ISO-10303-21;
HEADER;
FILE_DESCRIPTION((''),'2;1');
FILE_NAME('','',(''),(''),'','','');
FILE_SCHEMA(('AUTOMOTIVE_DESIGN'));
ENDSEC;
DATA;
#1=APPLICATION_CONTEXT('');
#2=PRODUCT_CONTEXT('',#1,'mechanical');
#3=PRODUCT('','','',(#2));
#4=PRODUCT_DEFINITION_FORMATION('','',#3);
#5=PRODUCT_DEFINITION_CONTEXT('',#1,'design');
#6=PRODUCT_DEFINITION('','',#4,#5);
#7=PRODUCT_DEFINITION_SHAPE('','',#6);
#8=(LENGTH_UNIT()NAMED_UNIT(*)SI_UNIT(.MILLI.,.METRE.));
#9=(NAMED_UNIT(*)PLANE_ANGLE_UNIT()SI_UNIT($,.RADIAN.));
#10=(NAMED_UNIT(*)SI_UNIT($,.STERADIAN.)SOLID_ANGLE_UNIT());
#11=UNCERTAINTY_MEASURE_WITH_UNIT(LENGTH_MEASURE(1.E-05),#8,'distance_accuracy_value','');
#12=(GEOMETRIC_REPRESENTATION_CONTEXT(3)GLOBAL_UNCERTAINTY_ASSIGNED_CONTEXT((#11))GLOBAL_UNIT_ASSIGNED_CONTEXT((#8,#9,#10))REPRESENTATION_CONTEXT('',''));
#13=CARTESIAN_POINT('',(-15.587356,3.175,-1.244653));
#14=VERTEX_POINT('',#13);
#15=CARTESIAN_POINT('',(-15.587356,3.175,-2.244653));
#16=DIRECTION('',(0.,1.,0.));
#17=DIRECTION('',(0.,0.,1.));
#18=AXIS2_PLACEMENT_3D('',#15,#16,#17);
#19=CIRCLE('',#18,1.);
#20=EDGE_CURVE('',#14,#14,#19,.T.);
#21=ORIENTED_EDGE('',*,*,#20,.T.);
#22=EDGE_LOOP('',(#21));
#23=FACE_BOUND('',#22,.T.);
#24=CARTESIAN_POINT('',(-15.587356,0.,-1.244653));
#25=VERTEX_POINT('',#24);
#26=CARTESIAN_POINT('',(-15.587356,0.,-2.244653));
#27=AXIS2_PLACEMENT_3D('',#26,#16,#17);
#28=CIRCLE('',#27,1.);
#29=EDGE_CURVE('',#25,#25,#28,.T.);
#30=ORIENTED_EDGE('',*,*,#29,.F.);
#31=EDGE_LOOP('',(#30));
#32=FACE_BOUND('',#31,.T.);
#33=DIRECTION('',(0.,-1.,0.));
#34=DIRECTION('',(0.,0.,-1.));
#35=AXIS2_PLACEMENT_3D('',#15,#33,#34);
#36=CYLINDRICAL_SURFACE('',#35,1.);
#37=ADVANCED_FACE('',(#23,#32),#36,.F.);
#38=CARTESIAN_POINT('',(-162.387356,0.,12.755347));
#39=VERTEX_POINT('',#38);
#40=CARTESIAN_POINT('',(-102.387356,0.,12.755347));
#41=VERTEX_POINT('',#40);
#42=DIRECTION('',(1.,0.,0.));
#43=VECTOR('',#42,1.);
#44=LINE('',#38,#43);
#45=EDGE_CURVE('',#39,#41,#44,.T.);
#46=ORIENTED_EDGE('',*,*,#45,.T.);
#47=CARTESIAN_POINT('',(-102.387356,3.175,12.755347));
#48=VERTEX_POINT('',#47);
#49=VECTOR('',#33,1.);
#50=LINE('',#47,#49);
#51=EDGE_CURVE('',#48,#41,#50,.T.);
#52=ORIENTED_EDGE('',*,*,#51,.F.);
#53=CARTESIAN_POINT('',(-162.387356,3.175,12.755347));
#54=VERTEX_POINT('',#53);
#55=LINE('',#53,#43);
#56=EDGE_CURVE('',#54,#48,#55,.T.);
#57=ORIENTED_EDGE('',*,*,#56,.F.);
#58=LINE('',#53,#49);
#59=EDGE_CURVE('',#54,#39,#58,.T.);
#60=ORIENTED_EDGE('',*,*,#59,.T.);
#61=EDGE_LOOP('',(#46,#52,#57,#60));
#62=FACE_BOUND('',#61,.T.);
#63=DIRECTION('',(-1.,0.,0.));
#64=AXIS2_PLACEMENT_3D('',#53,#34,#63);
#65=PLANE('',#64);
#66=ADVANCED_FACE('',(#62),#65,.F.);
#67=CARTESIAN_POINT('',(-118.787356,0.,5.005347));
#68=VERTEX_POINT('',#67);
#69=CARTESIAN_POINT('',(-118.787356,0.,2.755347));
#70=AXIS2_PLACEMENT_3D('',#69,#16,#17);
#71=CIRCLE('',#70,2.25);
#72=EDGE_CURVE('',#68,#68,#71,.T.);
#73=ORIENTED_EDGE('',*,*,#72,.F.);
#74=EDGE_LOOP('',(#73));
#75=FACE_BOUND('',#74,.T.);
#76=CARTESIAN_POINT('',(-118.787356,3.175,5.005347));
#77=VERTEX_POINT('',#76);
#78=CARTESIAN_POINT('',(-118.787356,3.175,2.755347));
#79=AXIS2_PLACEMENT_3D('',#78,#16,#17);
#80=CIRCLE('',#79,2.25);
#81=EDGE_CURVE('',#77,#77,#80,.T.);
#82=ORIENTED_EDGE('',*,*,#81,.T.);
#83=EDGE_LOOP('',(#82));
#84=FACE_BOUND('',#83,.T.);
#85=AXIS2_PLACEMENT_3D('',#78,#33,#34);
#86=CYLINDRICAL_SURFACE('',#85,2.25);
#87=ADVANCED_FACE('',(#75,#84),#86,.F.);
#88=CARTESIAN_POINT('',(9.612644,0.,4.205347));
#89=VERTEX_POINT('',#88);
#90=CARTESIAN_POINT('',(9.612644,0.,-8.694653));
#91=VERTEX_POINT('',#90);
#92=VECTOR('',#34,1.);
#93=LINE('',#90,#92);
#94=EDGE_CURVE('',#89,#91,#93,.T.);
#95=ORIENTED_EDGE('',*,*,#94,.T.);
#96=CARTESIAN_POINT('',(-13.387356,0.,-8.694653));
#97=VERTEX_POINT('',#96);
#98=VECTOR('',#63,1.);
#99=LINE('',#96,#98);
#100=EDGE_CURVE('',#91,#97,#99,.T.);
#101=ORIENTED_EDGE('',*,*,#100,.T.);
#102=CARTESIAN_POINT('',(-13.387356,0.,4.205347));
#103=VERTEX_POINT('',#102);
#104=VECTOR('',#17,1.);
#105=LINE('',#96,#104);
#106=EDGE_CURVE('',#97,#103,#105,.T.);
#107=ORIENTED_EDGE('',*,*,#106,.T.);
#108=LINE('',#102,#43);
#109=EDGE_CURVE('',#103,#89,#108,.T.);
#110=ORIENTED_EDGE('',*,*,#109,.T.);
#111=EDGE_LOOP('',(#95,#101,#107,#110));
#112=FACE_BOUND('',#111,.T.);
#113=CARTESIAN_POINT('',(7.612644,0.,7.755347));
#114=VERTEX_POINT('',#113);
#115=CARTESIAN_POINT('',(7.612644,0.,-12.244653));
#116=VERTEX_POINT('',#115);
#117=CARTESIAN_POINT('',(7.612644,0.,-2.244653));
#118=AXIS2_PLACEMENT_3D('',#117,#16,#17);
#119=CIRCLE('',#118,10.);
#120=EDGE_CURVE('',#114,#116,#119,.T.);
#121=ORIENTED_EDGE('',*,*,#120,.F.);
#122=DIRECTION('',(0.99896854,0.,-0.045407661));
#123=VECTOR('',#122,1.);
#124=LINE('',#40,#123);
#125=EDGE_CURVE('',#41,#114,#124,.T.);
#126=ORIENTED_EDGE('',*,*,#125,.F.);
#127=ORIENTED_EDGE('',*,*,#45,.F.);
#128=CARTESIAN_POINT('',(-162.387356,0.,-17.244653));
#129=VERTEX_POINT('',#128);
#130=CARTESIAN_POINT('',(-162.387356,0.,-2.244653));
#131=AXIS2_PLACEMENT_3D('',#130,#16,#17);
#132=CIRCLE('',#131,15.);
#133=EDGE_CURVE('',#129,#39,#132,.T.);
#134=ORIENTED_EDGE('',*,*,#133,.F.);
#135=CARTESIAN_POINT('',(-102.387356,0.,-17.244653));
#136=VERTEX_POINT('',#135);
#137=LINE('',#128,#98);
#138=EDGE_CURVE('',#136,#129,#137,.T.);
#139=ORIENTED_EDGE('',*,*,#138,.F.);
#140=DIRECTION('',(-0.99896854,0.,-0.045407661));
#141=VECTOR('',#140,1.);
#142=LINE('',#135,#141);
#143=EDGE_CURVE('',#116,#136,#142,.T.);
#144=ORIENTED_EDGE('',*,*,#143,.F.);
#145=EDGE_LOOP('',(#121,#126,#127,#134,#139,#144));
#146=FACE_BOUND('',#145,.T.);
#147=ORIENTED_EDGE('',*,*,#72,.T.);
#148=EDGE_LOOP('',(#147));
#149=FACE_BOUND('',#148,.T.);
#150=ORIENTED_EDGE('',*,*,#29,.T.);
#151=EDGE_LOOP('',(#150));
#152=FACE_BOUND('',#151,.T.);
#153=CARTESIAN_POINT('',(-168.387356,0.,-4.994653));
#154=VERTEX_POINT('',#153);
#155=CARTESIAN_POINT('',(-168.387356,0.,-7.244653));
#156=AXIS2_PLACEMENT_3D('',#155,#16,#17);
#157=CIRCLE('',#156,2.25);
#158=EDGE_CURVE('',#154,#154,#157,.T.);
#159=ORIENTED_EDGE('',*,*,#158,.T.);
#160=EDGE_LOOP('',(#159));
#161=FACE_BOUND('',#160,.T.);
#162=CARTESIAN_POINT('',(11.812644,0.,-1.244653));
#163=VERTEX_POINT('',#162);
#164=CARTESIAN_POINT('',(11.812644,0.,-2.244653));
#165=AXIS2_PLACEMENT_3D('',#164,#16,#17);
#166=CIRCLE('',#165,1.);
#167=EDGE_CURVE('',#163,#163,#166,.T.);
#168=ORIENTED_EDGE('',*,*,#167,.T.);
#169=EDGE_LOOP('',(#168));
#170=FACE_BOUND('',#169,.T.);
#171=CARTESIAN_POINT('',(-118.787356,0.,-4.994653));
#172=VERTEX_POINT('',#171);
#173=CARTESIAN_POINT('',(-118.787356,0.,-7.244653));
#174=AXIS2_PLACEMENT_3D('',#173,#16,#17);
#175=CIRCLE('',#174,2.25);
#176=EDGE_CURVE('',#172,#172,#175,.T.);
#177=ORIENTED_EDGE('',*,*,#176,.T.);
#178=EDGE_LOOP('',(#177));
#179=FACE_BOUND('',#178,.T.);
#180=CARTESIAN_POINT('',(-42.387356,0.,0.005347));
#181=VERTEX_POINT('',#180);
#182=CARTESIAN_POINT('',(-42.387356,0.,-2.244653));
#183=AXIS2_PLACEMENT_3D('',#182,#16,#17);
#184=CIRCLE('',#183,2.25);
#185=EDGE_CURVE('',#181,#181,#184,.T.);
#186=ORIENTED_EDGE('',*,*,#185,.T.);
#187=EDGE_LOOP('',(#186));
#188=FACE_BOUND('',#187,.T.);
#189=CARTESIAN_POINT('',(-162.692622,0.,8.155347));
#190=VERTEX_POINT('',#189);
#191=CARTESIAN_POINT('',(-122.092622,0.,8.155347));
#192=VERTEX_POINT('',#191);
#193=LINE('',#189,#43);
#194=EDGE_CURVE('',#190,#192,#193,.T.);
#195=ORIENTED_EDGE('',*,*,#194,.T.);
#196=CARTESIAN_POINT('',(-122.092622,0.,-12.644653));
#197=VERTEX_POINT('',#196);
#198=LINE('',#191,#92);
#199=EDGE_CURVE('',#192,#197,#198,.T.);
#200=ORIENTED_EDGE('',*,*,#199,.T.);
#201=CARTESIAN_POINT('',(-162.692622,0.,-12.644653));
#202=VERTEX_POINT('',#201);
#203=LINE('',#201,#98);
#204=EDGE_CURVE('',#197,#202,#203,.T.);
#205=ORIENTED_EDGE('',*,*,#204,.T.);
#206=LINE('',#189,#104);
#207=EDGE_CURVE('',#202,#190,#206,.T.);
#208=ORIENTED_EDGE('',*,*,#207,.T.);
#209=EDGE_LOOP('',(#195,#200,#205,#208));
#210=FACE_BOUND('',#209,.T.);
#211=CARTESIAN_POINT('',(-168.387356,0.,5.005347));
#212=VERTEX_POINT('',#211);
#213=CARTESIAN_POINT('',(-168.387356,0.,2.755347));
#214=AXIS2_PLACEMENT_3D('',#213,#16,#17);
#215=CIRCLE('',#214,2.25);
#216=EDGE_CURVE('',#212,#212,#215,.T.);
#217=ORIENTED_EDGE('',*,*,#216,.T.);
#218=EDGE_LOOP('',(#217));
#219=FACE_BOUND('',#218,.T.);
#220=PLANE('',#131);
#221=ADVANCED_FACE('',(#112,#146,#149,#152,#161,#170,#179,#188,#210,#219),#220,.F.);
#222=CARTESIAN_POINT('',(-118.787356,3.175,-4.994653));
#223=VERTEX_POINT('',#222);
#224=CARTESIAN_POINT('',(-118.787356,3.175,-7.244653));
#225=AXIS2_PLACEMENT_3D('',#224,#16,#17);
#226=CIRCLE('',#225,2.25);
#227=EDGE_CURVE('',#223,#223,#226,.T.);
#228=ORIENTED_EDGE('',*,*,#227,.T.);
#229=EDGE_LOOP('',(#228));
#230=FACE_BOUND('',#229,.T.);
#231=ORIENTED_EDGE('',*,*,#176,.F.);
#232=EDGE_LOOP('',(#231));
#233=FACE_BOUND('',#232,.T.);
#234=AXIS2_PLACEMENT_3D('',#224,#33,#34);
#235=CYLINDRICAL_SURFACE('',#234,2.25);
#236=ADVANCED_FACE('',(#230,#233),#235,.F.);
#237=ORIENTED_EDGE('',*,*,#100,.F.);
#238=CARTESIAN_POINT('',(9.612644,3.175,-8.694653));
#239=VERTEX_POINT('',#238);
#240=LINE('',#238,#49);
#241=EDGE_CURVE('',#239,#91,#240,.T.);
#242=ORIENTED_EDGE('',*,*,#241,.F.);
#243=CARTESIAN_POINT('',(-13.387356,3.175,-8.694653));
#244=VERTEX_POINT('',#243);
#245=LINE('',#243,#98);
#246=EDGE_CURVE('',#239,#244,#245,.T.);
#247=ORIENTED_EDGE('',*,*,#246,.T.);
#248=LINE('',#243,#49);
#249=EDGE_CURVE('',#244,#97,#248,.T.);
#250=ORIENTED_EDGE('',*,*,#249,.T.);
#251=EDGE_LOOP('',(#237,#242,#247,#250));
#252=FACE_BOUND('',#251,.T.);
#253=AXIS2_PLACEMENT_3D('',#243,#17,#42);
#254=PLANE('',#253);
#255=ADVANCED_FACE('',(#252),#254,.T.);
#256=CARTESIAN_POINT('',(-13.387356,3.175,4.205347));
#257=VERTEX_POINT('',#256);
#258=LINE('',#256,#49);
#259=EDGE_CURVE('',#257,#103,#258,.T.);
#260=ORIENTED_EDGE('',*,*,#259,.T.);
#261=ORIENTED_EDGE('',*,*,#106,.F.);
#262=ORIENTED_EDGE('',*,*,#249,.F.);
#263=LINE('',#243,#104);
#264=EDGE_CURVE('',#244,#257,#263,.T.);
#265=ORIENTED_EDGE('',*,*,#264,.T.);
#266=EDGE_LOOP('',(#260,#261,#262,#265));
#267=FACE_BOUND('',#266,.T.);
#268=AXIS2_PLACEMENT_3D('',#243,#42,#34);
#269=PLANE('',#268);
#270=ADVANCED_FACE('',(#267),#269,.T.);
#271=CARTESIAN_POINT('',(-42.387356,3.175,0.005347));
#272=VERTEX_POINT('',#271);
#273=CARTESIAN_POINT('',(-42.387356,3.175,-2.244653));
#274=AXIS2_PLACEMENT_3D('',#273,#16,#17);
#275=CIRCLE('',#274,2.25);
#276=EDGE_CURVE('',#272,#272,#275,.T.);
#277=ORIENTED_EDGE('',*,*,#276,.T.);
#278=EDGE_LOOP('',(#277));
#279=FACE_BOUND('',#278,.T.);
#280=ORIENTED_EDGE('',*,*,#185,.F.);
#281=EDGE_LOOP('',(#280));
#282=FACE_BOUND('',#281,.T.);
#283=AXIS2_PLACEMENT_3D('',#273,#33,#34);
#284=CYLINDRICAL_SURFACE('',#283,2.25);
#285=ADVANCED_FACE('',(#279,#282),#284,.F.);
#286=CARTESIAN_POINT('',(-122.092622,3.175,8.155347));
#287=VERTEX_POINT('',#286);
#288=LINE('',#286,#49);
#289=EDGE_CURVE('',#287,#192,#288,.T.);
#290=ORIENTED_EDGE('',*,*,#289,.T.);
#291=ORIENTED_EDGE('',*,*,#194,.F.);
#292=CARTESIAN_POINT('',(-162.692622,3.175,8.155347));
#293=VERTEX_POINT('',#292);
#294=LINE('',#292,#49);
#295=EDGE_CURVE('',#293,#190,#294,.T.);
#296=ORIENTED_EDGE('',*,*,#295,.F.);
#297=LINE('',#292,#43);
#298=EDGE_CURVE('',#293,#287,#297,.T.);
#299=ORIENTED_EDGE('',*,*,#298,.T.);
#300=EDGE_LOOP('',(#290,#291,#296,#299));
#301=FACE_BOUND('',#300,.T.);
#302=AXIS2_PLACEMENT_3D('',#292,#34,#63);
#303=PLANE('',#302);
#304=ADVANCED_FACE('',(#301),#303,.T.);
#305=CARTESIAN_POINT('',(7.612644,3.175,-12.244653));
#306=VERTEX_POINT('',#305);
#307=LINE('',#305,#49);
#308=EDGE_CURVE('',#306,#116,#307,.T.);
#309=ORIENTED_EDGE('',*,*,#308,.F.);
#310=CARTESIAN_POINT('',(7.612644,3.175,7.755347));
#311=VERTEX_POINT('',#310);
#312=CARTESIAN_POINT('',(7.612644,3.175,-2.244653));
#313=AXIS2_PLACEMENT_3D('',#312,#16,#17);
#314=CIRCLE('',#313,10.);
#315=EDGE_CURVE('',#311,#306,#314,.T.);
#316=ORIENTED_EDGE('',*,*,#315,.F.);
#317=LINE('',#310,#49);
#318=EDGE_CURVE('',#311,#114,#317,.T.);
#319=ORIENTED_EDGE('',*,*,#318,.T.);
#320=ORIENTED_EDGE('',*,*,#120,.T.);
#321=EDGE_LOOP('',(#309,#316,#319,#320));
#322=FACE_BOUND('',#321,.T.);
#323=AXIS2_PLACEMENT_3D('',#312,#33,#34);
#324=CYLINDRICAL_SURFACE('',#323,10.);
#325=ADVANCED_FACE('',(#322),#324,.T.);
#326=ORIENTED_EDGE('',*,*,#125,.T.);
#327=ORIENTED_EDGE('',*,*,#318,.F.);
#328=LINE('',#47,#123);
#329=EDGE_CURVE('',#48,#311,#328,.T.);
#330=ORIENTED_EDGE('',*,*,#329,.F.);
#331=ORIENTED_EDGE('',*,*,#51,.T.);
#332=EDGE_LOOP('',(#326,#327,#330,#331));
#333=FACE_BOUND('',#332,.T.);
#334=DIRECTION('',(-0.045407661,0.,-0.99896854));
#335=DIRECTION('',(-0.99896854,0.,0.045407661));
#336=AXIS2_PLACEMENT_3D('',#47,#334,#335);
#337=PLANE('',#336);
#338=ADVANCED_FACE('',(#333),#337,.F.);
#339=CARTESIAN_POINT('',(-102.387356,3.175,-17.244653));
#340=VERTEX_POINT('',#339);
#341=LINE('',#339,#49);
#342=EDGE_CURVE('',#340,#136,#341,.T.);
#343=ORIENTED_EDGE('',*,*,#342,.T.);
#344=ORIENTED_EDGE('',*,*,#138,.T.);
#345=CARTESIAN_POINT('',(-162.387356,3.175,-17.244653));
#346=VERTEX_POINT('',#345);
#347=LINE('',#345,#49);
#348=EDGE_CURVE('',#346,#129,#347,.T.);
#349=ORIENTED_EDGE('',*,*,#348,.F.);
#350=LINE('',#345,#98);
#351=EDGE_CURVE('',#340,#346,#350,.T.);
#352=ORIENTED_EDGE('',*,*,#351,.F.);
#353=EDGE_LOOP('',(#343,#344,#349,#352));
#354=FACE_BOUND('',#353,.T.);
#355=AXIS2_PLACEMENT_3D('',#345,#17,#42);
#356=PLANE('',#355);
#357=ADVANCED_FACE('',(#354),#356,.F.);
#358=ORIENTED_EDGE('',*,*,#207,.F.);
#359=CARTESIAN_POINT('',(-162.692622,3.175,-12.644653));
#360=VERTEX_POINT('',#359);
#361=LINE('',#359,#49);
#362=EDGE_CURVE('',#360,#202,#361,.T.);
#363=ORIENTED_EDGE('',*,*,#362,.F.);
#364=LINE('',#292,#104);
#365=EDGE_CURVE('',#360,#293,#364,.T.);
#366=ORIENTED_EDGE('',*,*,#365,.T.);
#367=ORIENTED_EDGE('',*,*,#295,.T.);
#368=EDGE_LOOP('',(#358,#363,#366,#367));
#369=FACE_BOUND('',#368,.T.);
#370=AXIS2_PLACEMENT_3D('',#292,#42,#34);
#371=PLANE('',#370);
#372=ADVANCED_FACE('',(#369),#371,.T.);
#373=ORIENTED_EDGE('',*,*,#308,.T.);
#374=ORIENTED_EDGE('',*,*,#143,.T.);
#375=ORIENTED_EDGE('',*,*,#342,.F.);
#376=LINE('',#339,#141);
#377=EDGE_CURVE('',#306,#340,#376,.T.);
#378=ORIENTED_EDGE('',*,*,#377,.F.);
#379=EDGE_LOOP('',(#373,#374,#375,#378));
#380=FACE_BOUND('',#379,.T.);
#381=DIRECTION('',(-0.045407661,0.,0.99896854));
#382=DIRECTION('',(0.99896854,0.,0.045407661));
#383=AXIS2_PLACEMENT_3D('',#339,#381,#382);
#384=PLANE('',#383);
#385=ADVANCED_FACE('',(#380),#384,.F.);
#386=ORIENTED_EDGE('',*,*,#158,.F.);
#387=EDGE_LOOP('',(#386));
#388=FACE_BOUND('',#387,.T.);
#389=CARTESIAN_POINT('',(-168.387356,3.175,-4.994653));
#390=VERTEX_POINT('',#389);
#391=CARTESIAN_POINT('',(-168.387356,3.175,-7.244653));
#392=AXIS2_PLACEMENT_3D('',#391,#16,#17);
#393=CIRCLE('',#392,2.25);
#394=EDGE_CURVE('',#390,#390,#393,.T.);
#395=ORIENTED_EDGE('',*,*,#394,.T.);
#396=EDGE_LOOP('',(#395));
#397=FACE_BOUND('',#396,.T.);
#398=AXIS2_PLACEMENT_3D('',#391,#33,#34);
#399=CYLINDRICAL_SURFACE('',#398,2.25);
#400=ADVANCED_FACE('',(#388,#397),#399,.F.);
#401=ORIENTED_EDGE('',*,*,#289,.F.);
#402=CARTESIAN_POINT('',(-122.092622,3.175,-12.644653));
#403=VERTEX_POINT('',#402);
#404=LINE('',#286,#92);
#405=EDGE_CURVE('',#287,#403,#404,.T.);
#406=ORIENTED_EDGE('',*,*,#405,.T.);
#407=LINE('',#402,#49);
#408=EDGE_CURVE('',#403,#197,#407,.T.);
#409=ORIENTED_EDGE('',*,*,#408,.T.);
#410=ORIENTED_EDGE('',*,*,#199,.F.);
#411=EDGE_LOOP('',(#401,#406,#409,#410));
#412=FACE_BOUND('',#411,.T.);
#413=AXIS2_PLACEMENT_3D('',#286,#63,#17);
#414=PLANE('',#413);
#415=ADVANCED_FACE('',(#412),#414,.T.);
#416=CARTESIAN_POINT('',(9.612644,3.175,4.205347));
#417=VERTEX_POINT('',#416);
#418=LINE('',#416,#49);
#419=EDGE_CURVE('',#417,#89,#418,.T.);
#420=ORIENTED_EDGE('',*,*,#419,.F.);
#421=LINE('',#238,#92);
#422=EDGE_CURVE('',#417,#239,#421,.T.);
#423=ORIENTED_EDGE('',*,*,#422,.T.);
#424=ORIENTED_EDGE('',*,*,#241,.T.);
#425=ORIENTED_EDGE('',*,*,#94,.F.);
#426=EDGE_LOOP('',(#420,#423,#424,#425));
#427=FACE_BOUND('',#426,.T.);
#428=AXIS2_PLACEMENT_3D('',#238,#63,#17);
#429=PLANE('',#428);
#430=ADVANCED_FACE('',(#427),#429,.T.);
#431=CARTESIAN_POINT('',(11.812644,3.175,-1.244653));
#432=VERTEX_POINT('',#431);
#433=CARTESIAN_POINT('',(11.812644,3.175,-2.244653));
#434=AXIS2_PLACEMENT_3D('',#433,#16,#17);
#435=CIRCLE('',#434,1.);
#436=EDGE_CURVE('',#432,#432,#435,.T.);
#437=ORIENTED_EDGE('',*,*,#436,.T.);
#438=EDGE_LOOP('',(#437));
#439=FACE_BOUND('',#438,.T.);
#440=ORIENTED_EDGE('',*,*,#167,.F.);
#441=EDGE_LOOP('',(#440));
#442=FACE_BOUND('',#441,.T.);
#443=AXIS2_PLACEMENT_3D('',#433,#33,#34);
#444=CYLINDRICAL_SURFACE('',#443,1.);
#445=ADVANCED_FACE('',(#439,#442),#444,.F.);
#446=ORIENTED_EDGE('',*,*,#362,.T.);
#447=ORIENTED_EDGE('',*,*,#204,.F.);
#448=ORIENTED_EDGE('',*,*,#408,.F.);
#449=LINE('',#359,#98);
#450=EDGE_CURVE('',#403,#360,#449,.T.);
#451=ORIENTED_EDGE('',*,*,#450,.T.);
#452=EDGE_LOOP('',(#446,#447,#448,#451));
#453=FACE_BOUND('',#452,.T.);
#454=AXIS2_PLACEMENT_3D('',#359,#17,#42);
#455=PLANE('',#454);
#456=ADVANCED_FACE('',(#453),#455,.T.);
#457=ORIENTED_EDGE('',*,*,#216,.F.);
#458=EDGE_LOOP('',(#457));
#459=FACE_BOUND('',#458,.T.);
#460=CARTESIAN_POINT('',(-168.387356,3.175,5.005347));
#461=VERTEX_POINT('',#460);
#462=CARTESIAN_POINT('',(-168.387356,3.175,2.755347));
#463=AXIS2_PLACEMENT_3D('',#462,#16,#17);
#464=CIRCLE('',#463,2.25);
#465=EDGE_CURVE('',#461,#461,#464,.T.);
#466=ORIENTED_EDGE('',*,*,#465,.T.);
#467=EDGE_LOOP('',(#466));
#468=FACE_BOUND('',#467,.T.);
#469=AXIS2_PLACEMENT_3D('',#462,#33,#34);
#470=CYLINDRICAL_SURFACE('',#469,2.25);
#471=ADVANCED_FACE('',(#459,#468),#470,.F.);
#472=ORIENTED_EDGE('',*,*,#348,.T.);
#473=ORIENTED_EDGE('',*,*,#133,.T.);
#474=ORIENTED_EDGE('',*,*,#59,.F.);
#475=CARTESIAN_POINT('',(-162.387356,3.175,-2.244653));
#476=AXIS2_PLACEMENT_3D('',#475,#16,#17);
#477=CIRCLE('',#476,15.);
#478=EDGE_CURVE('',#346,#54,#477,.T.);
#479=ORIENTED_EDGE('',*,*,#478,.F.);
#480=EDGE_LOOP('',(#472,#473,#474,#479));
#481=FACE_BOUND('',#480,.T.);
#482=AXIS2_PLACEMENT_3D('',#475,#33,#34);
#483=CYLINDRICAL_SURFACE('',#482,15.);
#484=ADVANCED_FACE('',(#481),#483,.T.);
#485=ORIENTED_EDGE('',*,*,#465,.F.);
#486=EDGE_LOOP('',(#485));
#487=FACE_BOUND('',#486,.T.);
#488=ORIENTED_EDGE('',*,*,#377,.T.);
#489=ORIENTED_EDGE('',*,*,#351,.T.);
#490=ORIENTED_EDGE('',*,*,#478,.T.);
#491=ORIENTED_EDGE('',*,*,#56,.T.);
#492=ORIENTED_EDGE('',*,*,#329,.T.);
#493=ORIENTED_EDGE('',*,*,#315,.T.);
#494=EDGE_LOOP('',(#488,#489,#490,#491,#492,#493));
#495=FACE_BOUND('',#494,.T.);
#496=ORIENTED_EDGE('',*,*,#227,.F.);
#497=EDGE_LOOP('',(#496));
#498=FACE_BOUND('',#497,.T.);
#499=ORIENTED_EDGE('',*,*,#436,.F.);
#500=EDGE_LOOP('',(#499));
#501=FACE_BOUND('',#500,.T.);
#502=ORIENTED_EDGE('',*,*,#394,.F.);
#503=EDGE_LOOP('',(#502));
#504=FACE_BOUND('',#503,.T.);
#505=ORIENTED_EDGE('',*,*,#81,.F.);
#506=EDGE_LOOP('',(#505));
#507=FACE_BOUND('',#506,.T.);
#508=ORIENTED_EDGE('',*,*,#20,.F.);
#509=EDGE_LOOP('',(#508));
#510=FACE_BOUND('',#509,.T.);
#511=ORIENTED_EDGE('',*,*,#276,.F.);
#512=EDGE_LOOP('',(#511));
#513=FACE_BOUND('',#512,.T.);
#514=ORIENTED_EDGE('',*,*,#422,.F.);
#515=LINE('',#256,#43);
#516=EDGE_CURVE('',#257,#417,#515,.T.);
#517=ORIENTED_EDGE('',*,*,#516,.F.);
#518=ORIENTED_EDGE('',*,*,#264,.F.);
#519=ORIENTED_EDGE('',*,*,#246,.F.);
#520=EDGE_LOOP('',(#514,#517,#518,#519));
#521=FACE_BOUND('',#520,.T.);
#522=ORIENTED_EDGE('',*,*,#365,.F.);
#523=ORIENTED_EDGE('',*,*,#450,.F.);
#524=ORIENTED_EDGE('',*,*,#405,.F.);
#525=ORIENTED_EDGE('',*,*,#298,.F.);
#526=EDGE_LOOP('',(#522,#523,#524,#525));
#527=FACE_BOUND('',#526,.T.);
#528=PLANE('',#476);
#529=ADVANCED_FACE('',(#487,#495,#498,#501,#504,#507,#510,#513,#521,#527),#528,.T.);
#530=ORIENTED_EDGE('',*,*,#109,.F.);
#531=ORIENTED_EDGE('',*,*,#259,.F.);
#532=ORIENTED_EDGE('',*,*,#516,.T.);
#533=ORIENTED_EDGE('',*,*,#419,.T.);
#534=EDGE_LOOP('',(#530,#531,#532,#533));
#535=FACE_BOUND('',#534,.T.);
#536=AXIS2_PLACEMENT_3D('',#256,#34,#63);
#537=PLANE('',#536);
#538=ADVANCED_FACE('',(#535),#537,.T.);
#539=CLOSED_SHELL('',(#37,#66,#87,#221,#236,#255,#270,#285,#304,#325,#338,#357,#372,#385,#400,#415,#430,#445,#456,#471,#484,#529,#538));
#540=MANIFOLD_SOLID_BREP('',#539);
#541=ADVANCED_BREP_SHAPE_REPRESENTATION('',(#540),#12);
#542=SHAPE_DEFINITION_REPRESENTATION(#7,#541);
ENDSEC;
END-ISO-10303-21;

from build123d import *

# Parameters (mm, degrees)
SKETCH1_R           = 2.25
SKETCH1_R_2         = 1
SKETCH1_W           = 40.6
SKETCH1_H           = 20.8
SKETCH1_W_2         = 23
SKETCH1_H_2         = 12.9
BOSS_EXTRUDE1_DEPTH = 3.175


with BuildPart() as part:
    # Sketch1 → Boss-Extrude1 (new body)
    with BuildSketch(Plane(origin=(0, 0, 0), x_dir=(1, 0, 0), z_dir=(0, 1, 0))):
        with BuildLine():
            Line((-162.38735588, 17.244652891), (-102.38735588, 17.244652891))
            Line((-102.38735588, 17.244652891), (7.61264412, 12.244652891))
            ThreePointArc((7.61264412, 12.244652891), (17.61264412, 2.244652891), (7.61264412, -7.755347109))
            Line((7.61264412, -7.755347109), (-102.38735588, -12.755347109))
            Line((-102.38735588, -12.755347109), (-162.38735588, -12.755347109))
            ThreePointArc((-162.38735588, -12.755347109), (-177.38735588, 2.244652891), (-162.38735588, 17.244652891))
        make_face()
        with Locations(Location((-168.38735588, 7.244652891, 0), (0, 0, 270))):
            Circle(SKETCH1_R, mode=Mode.SUBTRACT)
        with Locations(Location((-168.38735588, -2.755347109, 0), (0, 0, 270))):
            Circle(SKETCH1_R, mode=Mode.SUBTRACT)
        with Locations(Location((-118.78735588, 7.244652891, 0), (0, 0, 270))):
            Circle(SKETCH1_R, mode=Mode.SUBTRACT)
        with Locations(Location((-118.78735588, -2.755347109, 0), (0, 0, 270))):
            Circle(SKETCH1_R, mode=Mode.SUBTRACT)
        with Locations(Location((-15.58735588, 2.244652891, 0), (0, 0, 270))):
            Circle(SKETCH1_R_2, mode=Mode.SUBTRACT)
        with Locations(Location((11.81264412, 2.244652891, 0), (0, 0, 270))):
            Circle(SKETCH1_R_2, mode=Mode.SUBTRACT)
        with Locations(Location((-42.38735588, 2.244652891, 0), (0, 0, 270))):
            Circle(SKETCH1_R, mode=Mode.SUBTRACT)
        with Locations((-142.392621679, 2.244652891)):
            Rectangle(SKETCH1_W, SKETCH1_H, mode=Mode.SUBTRACT)
        with Locations((-1.88735588, 2.244652891)):
            Rectangle(SKETCH1_W_2, SKETCH1_H_2, mode=Mode.SUBTRACT)
    extrude(amount=BOSS_EXTRUDE1_DEPTH)


solid = part.part
